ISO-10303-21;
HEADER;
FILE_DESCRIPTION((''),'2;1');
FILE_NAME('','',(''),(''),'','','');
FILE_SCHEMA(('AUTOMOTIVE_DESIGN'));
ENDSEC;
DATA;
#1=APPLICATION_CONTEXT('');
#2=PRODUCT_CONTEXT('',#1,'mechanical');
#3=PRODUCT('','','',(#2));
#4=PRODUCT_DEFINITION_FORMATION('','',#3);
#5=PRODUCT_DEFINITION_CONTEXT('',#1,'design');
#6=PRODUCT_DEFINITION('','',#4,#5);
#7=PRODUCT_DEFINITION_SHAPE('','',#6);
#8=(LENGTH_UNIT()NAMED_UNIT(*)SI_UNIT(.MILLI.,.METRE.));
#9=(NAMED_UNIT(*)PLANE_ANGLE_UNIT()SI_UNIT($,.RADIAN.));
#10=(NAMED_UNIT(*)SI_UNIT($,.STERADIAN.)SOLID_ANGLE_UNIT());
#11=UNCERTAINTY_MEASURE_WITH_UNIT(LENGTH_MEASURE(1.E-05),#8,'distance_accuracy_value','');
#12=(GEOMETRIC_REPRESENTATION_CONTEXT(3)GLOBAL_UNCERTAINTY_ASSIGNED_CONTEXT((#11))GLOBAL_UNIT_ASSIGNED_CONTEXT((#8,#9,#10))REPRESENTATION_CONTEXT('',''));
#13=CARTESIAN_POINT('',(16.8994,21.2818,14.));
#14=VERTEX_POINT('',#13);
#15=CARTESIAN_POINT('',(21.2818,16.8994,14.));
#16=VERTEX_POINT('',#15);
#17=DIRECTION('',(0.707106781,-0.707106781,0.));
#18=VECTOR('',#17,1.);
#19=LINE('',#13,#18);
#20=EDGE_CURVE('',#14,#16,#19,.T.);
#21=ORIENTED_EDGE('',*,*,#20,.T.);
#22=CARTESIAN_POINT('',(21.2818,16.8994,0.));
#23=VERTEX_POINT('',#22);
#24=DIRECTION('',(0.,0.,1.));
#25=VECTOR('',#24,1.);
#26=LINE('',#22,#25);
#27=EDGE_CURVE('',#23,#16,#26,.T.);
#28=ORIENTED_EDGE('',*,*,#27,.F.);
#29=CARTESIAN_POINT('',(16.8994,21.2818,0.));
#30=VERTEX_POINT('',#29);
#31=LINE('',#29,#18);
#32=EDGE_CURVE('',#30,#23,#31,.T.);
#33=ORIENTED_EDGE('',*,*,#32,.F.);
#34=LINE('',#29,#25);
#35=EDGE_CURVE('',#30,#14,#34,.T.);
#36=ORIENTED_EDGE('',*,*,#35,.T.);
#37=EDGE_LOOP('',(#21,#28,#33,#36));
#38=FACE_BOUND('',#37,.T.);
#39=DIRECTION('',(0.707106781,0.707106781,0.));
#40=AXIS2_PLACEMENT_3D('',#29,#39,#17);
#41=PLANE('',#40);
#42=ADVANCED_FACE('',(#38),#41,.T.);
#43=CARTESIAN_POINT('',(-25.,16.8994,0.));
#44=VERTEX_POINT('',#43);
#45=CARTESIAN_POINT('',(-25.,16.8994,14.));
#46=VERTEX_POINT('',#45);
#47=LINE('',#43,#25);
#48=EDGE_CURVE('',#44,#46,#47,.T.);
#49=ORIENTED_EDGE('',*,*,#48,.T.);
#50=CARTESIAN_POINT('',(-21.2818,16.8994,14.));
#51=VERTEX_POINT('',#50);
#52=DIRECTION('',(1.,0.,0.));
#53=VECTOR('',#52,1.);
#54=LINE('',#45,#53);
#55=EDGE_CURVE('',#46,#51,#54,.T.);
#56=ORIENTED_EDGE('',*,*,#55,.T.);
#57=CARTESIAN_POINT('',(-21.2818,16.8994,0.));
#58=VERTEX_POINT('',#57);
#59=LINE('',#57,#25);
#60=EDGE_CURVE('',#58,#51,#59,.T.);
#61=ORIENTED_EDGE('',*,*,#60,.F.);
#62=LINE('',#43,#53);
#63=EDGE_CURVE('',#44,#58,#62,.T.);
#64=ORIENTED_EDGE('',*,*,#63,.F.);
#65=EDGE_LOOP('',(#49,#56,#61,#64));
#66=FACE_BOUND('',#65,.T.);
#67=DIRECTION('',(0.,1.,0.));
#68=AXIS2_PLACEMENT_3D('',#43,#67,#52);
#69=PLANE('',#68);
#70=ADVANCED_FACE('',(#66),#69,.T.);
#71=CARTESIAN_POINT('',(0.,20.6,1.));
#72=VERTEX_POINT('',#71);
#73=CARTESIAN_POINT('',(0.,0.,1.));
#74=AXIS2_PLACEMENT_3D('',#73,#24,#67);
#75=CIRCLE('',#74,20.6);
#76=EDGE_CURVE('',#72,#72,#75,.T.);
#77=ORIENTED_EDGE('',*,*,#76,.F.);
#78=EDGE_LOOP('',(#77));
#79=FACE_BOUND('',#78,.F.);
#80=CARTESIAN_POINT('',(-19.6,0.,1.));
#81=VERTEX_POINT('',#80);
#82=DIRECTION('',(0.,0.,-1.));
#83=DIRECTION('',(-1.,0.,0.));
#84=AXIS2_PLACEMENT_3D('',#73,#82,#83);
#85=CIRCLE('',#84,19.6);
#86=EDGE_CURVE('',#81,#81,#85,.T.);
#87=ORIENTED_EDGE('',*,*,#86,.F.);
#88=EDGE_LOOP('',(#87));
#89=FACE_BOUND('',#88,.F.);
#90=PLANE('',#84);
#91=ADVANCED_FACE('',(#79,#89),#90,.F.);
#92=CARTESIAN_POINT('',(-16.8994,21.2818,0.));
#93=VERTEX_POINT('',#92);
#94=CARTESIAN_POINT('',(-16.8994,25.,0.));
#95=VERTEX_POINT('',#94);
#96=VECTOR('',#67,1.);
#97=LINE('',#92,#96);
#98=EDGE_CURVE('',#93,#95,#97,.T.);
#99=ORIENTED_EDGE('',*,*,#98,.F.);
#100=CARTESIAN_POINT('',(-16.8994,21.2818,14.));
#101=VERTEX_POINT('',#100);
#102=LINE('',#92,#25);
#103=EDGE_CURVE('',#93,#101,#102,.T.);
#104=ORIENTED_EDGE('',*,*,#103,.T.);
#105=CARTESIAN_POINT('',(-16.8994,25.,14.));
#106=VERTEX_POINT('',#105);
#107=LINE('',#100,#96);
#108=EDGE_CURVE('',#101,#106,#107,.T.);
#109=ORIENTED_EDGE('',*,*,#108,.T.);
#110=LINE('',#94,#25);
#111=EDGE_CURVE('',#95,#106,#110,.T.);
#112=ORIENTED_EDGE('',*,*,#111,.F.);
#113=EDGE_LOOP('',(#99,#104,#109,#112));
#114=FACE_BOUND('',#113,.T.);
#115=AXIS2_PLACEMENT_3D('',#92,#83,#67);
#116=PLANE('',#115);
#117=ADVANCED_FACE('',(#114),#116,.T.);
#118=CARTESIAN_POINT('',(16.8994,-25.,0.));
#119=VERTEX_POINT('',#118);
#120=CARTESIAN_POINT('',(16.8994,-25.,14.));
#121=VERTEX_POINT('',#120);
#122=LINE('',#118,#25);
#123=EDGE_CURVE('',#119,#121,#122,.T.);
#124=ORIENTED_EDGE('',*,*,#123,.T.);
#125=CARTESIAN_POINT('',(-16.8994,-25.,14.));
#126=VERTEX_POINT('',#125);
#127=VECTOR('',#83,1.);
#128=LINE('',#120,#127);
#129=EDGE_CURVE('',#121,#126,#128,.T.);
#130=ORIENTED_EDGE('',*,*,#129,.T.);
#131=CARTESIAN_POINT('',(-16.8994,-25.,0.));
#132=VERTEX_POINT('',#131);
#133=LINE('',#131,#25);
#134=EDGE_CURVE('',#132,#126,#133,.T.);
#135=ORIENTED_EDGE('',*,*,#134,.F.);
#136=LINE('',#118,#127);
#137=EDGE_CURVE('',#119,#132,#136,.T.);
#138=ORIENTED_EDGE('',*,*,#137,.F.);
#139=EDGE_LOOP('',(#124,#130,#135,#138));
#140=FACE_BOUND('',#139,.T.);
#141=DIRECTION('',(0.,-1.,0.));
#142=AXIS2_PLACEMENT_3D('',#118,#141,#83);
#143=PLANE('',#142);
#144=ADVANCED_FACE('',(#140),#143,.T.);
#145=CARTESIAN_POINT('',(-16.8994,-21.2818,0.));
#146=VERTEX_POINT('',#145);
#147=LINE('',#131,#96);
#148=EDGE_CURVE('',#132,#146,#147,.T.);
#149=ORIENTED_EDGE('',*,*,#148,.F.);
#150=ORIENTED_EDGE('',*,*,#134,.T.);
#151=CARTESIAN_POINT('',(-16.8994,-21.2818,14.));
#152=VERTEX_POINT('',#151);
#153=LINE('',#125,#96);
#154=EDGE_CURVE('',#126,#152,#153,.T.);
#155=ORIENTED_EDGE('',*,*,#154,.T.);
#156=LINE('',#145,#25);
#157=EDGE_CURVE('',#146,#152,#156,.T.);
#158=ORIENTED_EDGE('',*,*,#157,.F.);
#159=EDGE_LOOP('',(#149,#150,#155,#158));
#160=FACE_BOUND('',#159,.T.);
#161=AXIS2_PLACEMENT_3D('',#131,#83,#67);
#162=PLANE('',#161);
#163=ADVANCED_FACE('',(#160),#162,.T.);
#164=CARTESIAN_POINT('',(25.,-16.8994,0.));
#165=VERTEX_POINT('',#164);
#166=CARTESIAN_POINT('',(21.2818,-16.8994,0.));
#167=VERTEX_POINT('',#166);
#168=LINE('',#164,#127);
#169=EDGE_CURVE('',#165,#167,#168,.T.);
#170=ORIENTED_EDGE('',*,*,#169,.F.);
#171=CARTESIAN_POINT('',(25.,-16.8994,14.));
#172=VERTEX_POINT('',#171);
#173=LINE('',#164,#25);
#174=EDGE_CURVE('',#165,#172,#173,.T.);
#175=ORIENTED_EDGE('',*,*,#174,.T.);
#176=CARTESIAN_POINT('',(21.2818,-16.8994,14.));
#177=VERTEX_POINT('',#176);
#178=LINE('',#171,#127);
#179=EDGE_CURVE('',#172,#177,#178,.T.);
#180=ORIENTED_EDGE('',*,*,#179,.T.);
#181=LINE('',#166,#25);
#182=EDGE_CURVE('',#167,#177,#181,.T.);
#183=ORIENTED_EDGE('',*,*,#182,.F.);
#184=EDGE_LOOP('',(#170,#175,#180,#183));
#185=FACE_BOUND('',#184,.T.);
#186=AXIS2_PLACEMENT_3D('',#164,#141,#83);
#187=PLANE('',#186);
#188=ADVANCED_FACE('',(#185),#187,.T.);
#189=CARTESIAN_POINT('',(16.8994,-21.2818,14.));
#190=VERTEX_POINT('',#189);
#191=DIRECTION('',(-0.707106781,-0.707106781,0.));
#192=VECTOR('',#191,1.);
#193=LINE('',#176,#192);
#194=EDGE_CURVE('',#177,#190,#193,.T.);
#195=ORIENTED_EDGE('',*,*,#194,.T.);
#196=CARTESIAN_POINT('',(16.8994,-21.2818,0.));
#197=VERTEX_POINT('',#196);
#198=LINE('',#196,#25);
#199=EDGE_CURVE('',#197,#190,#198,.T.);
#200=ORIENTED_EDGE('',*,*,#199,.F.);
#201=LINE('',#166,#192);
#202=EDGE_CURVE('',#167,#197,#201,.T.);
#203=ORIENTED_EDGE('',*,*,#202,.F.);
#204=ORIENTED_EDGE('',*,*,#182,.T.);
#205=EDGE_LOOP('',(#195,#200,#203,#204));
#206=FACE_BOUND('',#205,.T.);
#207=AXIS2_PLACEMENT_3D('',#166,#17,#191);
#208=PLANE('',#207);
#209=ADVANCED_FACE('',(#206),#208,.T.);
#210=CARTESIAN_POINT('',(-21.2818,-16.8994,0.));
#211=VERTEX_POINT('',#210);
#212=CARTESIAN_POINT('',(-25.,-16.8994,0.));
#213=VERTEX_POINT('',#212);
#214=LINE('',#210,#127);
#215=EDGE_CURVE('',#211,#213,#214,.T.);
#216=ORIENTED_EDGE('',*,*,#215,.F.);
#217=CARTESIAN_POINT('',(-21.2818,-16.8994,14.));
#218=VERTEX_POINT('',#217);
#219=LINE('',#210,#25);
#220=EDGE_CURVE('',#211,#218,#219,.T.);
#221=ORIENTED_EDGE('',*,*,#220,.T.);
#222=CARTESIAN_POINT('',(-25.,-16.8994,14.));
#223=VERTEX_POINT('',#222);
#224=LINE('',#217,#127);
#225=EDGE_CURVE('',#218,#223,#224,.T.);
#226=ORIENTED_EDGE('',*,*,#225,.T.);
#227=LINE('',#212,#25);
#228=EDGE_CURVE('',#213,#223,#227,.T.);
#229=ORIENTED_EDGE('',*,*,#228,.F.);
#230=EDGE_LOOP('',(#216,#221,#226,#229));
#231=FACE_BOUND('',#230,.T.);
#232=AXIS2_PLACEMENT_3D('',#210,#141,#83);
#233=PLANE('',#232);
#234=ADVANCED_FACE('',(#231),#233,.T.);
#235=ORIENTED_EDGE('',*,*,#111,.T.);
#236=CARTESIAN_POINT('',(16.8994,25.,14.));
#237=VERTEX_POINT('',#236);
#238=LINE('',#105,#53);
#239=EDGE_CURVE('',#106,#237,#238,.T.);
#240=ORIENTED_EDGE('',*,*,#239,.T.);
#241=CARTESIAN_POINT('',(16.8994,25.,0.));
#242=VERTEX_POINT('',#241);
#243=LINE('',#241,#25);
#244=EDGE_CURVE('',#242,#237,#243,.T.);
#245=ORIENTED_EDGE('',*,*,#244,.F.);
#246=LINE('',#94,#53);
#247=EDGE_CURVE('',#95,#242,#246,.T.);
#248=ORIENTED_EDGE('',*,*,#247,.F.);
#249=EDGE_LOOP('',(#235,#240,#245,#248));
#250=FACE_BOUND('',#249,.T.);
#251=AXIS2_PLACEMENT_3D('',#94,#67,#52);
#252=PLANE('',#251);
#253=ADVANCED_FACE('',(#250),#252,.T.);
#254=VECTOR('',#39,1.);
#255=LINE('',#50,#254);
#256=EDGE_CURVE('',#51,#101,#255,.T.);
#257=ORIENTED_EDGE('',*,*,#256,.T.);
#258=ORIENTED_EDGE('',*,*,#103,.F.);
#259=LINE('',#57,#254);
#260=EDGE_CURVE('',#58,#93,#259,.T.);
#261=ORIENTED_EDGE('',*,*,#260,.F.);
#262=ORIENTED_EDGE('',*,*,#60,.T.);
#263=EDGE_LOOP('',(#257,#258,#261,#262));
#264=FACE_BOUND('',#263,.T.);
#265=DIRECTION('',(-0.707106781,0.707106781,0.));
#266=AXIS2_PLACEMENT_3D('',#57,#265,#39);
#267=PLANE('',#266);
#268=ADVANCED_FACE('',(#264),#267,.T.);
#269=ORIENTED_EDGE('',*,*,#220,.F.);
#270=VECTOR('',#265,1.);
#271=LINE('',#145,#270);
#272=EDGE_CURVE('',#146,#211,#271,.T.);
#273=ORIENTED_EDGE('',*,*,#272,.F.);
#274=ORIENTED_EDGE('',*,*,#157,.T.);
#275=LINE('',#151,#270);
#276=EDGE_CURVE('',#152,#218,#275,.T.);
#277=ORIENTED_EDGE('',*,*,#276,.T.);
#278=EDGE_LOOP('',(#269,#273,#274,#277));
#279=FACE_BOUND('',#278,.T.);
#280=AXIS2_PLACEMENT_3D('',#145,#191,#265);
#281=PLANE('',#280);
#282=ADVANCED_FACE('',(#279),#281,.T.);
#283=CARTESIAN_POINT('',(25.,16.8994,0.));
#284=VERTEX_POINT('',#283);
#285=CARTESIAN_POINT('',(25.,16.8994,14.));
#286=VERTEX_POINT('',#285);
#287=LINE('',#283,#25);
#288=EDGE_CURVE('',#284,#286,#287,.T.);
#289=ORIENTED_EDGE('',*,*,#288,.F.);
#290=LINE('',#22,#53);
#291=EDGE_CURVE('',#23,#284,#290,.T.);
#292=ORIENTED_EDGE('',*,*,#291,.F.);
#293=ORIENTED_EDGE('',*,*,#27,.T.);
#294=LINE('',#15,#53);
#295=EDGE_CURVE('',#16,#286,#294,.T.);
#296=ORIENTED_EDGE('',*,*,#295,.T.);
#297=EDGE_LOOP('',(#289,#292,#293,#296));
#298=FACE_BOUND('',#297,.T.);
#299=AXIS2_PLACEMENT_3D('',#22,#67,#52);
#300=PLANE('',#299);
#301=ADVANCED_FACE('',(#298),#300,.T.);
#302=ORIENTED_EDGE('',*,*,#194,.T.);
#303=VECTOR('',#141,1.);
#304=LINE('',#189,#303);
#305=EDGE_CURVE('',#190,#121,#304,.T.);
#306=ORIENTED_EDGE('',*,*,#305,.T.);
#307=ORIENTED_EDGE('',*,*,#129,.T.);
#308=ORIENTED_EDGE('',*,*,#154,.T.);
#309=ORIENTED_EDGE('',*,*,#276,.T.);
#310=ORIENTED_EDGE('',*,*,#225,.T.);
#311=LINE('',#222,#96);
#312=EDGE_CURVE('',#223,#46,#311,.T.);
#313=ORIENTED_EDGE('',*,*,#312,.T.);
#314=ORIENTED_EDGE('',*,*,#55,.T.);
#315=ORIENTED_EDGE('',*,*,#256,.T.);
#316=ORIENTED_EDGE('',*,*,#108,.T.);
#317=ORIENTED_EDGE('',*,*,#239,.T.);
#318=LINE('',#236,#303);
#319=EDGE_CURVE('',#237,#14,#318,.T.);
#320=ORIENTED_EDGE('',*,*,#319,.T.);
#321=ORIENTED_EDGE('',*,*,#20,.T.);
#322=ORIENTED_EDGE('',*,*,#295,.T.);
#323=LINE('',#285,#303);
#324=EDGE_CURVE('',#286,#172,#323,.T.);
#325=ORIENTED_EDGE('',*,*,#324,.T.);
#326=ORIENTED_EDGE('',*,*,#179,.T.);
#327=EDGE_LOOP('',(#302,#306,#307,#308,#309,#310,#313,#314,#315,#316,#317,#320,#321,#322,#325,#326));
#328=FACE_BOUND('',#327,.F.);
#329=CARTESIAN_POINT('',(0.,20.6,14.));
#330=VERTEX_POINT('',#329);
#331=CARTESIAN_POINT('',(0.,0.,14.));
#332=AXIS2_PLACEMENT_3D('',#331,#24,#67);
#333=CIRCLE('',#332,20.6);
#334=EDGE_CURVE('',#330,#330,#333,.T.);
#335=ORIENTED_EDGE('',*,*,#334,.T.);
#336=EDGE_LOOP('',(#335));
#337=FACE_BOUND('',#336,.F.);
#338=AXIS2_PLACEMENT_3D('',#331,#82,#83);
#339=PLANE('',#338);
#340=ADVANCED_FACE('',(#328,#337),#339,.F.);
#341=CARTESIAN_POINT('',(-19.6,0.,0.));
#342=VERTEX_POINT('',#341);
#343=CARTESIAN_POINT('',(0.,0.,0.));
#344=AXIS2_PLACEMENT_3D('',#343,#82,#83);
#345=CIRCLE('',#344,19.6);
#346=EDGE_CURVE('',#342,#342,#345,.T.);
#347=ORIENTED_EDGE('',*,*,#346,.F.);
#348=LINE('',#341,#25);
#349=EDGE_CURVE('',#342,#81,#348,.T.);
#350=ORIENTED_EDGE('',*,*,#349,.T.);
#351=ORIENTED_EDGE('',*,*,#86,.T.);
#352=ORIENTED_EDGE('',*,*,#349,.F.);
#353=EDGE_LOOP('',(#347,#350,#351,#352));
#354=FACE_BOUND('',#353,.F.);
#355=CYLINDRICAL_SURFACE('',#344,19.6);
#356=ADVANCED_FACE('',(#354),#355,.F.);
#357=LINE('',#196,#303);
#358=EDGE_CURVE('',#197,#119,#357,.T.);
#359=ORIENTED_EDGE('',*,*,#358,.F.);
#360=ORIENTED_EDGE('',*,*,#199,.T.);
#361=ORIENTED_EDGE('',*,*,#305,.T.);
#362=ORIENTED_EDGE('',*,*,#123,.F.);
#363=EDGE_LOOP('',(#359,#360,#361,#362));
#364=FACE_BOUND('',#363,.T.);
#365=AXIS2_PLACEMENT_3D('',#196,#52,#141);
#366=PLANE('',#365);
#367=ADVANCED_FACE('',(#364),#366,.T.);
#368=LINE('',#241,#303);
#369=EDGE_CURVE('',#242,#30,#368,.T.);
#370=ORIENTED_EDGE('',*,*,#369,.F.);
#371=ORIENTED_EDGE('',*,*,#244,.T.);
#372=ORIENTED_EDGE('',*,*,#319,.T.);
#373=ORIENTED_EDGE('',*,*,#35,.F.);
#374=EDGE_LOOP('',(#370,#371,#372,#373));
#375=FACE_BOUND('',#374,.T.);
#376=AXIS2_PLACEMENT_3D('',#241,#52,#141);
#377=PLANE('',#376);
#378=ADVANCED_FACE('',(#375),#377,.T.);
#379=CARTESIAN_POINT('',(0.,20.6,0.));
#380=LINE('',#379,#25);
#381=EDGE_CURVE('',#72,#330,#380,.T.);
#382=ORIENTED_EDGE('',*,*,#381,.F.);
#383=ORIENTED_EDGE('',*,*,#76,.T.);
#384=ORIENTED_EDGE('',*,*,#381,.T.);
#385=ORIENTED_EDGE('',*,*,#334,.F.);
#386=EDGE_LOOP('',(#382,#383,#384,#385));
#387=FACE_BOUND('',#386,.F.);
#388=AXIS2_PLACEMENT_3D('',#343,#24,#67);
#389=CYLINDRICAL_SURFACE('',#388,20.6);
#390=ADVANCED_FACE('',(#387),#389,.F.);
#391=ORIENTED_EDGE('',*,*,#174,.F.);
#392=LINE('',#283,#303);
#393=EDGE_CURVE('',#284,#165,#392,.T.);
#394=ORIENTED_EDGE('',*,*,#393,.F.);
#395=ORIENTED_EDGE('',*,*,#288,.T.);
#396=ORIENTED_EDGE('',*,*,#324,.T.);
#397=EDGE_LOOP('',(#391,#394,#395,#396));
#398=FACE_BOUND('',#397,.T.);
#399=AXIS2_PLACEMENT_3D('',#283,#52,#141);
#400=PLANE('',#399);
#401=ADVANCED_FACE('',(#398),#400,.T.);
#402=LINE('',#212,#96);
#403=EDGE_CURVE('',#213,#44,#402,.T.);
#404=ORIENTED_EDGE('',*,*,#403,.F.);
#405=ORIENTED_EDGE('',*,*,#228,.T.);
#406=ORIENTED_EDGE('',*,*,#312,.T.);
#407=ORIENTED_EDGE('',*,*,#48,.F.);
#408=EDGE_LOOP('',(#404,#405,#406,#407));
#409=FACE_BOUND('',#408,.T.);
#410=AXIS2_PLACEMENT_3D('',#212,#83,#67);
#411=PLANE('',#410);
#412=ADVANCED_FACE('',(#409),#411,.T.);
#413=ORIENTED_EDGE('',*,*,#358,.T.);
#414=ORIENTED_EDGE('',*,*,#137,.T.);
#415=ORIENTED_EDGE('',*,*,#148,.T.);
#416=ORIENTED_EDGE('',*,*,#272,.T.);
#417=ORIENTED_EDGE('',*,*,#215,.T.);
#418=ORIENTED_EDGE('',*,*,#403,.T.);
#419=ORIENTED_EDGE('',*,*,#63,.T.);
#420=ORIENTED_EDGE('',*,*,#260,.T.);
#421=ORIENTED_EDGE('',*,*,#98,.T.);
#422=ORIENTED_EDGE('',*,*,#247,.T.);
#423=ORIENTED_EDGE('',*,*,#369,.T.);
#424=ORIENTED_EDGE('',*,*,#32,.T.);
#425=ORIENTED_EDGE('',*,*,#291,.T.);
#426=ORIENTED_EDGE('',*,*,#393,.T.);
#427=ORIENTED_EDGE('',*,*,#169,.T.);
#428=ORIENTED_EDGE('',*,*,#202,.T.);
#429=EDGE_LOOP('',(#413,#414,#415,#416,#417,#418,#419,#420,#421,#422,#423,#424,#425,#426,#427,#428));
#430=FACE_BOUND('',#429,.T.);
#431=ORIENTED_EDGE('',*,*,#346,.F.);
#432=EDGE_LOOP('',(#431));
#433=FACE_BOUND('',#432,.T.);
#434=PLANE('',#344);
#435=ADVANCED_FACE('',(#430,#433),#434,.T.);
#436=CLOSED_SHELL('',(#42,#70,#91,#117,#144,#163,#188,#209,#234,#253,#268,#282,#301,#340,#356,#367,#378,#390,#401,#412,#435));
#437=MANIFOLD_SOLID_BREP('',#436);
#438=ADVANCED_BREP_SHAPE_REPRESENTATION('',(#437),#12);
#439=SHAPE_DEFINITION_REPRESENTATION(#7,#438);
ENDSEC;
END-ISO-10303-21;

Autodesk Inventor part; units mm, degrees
ref_plane "YZ Plane" through (0, 0, 0) normal (1, 0, 0) x (0, 1, 0)
ref_plane "XZ Plane" through (0, 0, 0) normal (0, 1, 0) x (-1, 0, 0)
ref_plane "XY Plane" through (0, 0, 0) normal (0, 0, 1) x (1, 0, 0)
sketch "Sketch1" plane through (0, 0, 0) normal (0, 0, 1) x (1, 0, 0)
  line L0 (-34.8609, 0) -> (34.8609, 0) construction
  line L1 (0, -34.8609) -> (0, 34.8609) construction
  line L2 (0, 0) -> (13.4339, 13.4339) construction
  line L3 (0, 0) -> (18.9985, 0) construction
  line L4 (0, 24.9006) -> (16.8, 24.9006)
  line L5 (16.8, 24.9006) -> (16.8, 21.2406)
  line L6 (16.8, 21.2406) -> (19.0203, 19.0203)
  line L7 (24.9006, 0) -> (24.9006, 16.8)
  line L8 (24.9006, 16.8) -> (21.2406, 16.8)
  line L9 (21.2406, 16.8) -> (19.0203, 19.0203)
  line L10 (0, 0) -> (-13.4339, 13.4339) construction
  line L11 (0, 0) -> (-18.9985, 0) construction
  line L12 (0, 24.9006) -> (-16.8, 24.9006)
  line L13 (-16.8, 24.9006) -> (-16.8, 21.2406)
  line L14 (-16.8, 21.2406) -> (-19.0203, 19.0203)
  line L15 (-24.9006, 0) -> (-24.9006, 16.8)
  line L16 (-24.9006, 16.8) -> (-21.2406, 16.8)
  line L17 (-21.2406, 16.8) -> (-19.0203, 19.0203)
  line L18 (0, 0) -> (13.4339, -13.4339) construction
  line L19 (0, -24.9006) -> (16.8, -24.9006)
  line L20 (16.8, -24.9006) -> (16.8, -21.2406)
  line L21 (16.8, -21.2406) -> (19.0203, -19.0203)
  line L22 (24.9006, 0) -> (24.9006, -16.8)
  line L23 (24.9006, -16.8) -> (21.2406, -16.8)
  line L24 (21.2406, -16.8) -> (19.0203, -19.0203)
  line L25 (0, 0) -> (-13.4339, -13.4339) construction
  line L26 (0, -24.9006) -> (-16.8, -24.9006)
  line L27 (-16.8, -24.9006) -> (-16.8, -21.2406)
  line L28 (-16.8, -21.2406) -> (-19.0203, -19.0203)
  line L29 (-24.9006, 0) -> (-24.9006, -16.8)
  line L30 (-24.9006, -16.8) -> (-21.2406, -16.8)
  line L31 (-21.2406, -16.8) -> (-19.0203, -19.0203)
  dimension "d0" = 45
  dimension "d1" = 3.14
  dimension "d2" = 3.66
  dimension "d3" = 16.8
extrude "Thickness" add sketch "Sketch1" along normal blind 14
hole "Hole1" at (0, 0, 0) direction (0, 0, 1) diameter 41.2 end through all
sketch "Sketch2" plane through (0, 0, 0) normal (0, 0, -1) x (-1, 0, 0)
  circle A0 centre (0, 0) radius 20.6 projected
  line L0 (16.8, 24.9006) -> (-16.8, 24.9006) projected
  line L1 (-16.8, 24.9006) -> (-16.8, 21.2406) projected
  line L2 (-16.8, 21.2406) -> (-21.2406, 16.8) projected
  line L3 (-21.2406, 16.8) -> (-24.9006, 16.8) projected
  line L4 (-24.9006, 16.8) -> (-24.9006, -16.8) projected
  line L5 (-24.9006, -16.8) -> (-21.2406, -16.8) projected
  line L6 (-21.2406, -16.8) -> (-16.8, -21.2406) projected
  line L7 (-16.8, -21.2406) -> (-16.8, -24.9006) projected
  line L8 (-16.8, -24.9006) -> (16.8, -24.9006) projected
  line L9 (16.8, -24.9006) -> (16.8, -21.2406) projected
  line L10 (16.8, -21.2406) -> (21.2406, -16.8) projected
  line L11 (21.2406, -16.8) -> (24.9006, -16.8) projected
  line L12 (24.9006, -16.8) -> (24.9006, 16.8) projected
  line L13 (24.9006, 16.8) -> (21.2406, 16.8) projected
  line L14 (21.2406, 16.8) -> (16.8, 21.2406) projected
  line L15 (16.8, 21.2406) -> (16.8, 24.9006) projected
  circle A1 centre (0, 0) radius 19.6
  dimension "d17" = 1
extrude "Extrusion2" add sketch "Sketch2" against normal blind 1 contours A0
sketch "Sketch3" plane through (0, 0, 0) normal (0, 0, -1) x (-1, 0, 0)
  circle A0 centre (0, 0) radius 20.6 projected
  line L0 (-16.8, 24.9006) -> (16.8, 24.9006) projected
  line L1 (16.8, 24.9006) -> (16.8, 21.2406) projected
  line L2 (16.8, 21.2406) -> (21.2406, 16.8) projected
  line L3 (21.2406, 16.8) -> (24.9006, 16.8) projected
  line L4 (24.9006, 16.8) -> (24.9006, -16.8) projected
  line L5 (24.9006, -16.8) -> (21.2406, -16.8) projected
  line L6 (21.2406, -16.8) -> (16.8, -21.2406) projected
  line L7 (16.8, -21.2406) -> (16.8, -24.9006) projected
  line L8 (16.8, -24.9006) -> (-16.8, -24.9006) projected
  line L9 (-16.8, -24.9006) -> (-16.8, -21.2406) projected
  line L10 (-16.8, -21.2406) -> (-21.2406, -16.8) projected
  line L11 (-21.2406, -16.8) -> (-24.9006, -16.8) projected
  line L12 (-24.9006, -16.8) -> (-24.9006, 16.8) projected
  line L13 (-24.9006, 16.8) -> (-21.2406, 16.8) projected
  line L14 (-21.2406, 16.8) -> (-16.8, 21.2406) projected
  line L15 (-16.8, 21.2406) -> (-16.8, 24.9006) projected
  line L16 (16.8994, 25) -> (-16.8994, 25)
  line L17 (-16.8994, 25) -> (-16.8994, 21.2818)
  line L18 (-16.8994, 21.2818) -> (-21.2818, 16.8994)
  line L19 (-21.2818, 16.8994) -> (-25, 16.8994)
  line L20 (-25, 16.8994) -> (-25, -16.8994)
  line L21 (-25, -16.8994) -> (-21.2818, -16.8994)
  line L22 (-21.2818, -16.8994) -> (-16.8994, -21.2818)
  line L23 (-16.8994, -21.2818) -> (-16.8994, -25)
  line L24 (-16.8994, -25) -> (16.8994, -25)
  line L25 (16.8994, -25) -> (16.8994, -21.2818)
  line L26 (16.8994, -21.2818) -> (21.2818, -16.8994)
  line L27 (21.2818, -16.8994) -> (25, -16.8994)
  line L28 (25, -16.8994) -> (25, 16.8994)
  line L29 (25, 16.8994) -> (21.2818, 16.8994)
  line L30 (21.2818, 16.8994) -> (16.8994, 21.2818)
  line L31 (16.8994, 21.2818) -> (16.8994, 25)
  dimension "d22" = 50
extrude "Extrusion3" add sketch "Sketch3" against normal up to surface (14 mm away) contours L31 L30 L29 L28 L27 L26 L25 L24 L23 L22 L21 L20 L19 L18 L17 L16
ref_plane "Arbeitsebene1" through (0, -16.8994, 0) normal (-1, 0, 0) x (0, 0, 1)
ref_plane "Arbeitsebene2" through (-16.8994, 0, 0) normal (0, 1, 0) x (1, 0, 0)
equation "\"Lens_diameter\" = 25.4"
properties part number "20_Lens_holder_DIA_50mm"
